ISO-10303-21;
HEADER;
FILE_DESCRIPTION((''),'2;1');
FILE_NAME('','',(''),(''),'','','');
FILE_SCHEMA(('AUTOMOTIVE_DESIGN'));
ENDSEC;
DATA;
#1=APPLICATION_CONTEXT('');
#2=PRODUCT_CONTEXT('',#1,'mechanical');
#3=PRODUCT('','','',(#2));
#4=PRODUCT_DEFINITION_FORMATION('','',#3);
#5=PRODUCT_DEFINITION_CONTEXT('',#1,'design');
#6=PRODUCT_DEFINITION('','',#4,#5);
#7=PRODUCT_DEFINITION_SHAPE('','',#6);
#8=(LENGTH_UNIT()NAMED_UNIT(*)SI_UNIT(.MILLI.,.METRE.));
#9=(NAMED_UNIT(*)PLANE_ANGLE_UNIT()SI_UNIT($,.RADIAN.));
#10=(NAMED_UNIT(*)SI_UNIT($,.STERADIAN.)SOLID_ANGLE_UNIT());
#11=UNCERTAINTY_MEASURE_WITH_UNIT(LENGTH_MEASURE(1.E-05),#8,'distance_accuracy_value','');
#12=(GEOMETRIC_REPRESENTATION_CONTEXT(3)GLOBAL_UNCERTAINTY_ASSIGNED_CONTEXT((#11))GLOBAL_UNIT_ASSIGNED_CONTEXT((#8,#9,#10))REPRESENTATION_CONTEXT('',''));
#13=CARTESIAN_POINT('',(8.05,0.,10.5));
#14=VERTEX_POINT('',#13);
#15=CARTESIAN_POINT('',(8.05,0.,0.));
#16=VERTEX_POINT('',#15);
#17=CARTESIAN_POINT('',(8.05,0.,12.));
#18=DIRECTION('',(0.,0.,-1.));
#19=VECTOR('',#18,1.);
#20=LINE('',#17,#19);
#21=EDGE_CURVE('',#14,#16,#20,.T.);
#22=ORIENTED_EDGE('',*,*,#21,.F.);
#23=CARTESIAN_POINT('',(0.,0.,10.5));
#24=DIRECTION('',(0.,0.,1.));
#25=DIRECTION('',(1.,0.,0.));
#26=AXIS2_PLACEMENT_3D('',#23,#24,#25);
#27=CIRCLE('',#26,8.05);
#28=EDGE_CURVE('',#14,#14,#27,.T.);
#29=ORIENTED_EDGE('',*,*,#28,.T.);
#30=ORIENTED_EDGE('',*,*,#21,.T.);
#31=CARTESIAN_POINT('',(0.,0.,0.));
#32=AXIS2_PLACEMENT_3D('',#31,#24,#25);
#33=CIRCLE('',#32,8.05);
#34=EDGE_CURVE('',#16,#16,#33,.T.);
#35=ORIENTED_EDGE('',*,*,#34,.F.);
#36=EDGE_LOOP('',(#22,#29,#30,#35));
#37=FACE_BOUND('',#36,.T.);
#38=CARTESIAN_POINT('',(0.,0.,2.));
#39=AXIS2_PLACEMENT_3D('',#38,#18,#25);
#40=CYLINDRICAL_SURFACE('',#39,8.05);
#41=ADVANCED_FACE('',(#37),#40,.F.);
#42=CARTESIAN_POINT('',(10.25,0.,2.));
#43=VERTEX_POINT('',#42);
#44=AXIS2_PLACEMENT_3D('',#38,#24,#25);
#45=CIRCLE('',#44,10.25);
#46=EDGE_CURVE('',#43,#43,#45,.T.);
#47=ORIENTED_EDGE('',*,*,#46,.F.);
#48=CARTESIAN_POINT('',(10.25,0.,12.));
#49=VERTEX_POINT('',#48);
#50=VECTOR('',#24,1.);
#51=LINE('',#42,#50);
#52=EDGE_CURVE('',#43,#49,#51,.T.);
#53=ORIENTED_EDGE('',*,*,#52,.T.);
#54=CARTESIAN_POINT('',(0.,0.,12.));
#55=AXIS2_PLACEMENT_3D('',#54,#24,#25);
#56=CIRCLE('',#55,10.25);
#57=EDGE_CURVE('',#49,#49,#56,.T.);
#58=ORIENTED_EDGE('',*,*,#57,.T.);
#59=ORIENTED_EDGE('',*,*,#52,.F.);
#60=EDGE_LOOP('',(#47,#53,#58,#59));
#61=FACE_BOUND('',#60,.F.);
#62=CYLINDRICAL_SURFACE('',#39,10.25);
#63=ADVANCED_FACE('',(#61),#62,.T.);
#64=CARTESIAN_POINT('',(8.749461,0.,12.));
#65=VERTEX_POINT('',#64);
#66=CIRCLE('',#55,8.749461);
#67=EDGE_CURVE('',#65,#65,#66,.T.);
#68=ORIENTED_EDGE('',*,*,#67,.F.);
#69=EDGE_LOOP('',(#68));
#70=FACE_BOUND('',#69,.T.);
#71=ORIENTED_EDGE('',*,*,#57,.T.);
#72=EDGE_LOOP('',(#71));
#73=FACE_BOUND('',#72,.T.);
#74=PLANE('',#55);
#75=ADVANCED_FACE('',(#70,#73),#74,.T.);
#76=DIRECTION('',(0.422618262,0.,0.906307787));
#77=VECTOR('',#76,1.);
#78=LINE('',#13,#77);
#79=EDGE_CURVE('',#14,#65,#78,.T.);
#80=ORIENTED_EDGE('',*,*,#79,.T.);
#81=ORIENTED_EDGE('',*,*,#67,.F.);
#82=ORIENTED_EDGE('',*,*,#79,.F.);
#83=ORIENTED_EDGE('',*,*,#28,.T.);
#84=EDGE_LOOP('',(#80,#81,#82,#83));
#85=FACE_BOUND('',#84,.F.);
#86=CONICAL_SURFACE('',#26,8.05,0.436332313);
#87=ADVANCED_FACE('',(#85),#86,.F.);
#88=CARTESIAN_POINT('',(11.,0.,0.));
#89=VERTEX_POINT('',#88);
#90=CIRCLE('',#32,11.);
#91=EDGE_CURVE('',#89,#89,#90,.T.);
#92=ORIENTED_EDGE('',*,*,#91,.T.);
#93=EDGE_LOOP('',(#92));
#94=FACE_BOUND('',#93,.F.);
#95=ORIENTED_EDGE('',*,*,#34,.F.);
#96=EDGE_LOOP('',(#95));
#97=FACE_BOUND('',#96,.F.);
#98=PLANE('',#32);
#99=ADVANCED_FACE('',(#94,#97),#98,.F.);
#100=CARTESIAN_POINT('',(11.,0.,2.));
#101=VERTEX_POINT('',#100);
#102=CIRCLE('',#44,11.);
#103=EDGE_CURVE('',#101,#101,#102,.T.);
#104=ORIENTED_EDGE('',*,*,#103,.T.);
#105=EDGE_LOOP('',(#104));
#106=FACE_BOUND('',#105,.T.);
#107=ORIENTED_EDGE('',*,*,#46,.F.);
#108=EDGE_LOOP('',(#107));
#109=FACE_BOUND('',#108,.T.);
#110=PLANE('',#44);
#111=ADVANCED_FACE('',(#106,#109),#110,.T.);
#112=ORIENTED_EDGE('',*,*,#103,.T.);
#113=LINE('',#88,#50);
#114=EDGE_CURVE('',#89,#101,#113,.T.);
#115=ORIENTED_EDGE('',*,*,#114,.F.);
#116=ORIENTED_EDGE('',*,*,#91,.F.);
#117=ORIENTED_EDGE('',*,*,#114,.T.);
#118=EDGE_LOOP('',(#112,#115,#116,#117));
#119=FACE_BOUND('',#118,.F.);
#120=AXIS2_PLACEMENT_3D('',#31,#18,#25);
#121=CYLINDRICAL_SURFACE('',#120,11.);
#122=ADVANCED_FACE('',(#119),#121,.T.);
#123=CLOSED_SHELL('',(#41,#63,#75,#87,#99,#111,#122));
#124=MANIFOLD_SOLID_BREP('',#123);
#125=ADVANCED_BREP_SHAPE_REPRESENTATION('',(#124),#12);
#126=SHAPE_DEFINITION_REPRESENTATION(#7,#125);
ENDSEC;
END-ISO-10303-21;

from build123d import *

# Parameters (mm, degrees)
F0_R     = 11
F0_R_2   = 8.05
F1_DEPTH = 2
F2_R     = 10.25
F2_R_2   = 8.05
F3_DEPTH = 10
F4_SIZE2 = 0.6994614872
F4_SIZE  = 1.5


with BuildPart() as f1:
    # F0 (on Top) → F1 (new body)
    with BuildSketch(Plane.XY):
        Circle(F0_R)
        Circle(F0_R_2, mode=Mode.SUBTRACT)
    extrude(amount=F1_DEPTH)

    # F2 (on face) → F3 (join)
    with BuildSketch(Plane.XY.offset(2)):
        Circle(F2_R)
        Circle(F2_R_2, mode=Mode.SUBTRACT)
    extrude(amount=F3_DEPTH)

    # F4
    f4_edges = [f1.edges().sort_by_distance(p)[0] for p in [
        (-8.05, 0, 12),
    ]]
    f4_side = f1.faces().sort_by_distance((-8.05, 0, 6))[0]
    chamfer(f4_edges, length=F4_SIZE, length2=F4_SIZE2, reference=f4_side)


solid = f1.part
